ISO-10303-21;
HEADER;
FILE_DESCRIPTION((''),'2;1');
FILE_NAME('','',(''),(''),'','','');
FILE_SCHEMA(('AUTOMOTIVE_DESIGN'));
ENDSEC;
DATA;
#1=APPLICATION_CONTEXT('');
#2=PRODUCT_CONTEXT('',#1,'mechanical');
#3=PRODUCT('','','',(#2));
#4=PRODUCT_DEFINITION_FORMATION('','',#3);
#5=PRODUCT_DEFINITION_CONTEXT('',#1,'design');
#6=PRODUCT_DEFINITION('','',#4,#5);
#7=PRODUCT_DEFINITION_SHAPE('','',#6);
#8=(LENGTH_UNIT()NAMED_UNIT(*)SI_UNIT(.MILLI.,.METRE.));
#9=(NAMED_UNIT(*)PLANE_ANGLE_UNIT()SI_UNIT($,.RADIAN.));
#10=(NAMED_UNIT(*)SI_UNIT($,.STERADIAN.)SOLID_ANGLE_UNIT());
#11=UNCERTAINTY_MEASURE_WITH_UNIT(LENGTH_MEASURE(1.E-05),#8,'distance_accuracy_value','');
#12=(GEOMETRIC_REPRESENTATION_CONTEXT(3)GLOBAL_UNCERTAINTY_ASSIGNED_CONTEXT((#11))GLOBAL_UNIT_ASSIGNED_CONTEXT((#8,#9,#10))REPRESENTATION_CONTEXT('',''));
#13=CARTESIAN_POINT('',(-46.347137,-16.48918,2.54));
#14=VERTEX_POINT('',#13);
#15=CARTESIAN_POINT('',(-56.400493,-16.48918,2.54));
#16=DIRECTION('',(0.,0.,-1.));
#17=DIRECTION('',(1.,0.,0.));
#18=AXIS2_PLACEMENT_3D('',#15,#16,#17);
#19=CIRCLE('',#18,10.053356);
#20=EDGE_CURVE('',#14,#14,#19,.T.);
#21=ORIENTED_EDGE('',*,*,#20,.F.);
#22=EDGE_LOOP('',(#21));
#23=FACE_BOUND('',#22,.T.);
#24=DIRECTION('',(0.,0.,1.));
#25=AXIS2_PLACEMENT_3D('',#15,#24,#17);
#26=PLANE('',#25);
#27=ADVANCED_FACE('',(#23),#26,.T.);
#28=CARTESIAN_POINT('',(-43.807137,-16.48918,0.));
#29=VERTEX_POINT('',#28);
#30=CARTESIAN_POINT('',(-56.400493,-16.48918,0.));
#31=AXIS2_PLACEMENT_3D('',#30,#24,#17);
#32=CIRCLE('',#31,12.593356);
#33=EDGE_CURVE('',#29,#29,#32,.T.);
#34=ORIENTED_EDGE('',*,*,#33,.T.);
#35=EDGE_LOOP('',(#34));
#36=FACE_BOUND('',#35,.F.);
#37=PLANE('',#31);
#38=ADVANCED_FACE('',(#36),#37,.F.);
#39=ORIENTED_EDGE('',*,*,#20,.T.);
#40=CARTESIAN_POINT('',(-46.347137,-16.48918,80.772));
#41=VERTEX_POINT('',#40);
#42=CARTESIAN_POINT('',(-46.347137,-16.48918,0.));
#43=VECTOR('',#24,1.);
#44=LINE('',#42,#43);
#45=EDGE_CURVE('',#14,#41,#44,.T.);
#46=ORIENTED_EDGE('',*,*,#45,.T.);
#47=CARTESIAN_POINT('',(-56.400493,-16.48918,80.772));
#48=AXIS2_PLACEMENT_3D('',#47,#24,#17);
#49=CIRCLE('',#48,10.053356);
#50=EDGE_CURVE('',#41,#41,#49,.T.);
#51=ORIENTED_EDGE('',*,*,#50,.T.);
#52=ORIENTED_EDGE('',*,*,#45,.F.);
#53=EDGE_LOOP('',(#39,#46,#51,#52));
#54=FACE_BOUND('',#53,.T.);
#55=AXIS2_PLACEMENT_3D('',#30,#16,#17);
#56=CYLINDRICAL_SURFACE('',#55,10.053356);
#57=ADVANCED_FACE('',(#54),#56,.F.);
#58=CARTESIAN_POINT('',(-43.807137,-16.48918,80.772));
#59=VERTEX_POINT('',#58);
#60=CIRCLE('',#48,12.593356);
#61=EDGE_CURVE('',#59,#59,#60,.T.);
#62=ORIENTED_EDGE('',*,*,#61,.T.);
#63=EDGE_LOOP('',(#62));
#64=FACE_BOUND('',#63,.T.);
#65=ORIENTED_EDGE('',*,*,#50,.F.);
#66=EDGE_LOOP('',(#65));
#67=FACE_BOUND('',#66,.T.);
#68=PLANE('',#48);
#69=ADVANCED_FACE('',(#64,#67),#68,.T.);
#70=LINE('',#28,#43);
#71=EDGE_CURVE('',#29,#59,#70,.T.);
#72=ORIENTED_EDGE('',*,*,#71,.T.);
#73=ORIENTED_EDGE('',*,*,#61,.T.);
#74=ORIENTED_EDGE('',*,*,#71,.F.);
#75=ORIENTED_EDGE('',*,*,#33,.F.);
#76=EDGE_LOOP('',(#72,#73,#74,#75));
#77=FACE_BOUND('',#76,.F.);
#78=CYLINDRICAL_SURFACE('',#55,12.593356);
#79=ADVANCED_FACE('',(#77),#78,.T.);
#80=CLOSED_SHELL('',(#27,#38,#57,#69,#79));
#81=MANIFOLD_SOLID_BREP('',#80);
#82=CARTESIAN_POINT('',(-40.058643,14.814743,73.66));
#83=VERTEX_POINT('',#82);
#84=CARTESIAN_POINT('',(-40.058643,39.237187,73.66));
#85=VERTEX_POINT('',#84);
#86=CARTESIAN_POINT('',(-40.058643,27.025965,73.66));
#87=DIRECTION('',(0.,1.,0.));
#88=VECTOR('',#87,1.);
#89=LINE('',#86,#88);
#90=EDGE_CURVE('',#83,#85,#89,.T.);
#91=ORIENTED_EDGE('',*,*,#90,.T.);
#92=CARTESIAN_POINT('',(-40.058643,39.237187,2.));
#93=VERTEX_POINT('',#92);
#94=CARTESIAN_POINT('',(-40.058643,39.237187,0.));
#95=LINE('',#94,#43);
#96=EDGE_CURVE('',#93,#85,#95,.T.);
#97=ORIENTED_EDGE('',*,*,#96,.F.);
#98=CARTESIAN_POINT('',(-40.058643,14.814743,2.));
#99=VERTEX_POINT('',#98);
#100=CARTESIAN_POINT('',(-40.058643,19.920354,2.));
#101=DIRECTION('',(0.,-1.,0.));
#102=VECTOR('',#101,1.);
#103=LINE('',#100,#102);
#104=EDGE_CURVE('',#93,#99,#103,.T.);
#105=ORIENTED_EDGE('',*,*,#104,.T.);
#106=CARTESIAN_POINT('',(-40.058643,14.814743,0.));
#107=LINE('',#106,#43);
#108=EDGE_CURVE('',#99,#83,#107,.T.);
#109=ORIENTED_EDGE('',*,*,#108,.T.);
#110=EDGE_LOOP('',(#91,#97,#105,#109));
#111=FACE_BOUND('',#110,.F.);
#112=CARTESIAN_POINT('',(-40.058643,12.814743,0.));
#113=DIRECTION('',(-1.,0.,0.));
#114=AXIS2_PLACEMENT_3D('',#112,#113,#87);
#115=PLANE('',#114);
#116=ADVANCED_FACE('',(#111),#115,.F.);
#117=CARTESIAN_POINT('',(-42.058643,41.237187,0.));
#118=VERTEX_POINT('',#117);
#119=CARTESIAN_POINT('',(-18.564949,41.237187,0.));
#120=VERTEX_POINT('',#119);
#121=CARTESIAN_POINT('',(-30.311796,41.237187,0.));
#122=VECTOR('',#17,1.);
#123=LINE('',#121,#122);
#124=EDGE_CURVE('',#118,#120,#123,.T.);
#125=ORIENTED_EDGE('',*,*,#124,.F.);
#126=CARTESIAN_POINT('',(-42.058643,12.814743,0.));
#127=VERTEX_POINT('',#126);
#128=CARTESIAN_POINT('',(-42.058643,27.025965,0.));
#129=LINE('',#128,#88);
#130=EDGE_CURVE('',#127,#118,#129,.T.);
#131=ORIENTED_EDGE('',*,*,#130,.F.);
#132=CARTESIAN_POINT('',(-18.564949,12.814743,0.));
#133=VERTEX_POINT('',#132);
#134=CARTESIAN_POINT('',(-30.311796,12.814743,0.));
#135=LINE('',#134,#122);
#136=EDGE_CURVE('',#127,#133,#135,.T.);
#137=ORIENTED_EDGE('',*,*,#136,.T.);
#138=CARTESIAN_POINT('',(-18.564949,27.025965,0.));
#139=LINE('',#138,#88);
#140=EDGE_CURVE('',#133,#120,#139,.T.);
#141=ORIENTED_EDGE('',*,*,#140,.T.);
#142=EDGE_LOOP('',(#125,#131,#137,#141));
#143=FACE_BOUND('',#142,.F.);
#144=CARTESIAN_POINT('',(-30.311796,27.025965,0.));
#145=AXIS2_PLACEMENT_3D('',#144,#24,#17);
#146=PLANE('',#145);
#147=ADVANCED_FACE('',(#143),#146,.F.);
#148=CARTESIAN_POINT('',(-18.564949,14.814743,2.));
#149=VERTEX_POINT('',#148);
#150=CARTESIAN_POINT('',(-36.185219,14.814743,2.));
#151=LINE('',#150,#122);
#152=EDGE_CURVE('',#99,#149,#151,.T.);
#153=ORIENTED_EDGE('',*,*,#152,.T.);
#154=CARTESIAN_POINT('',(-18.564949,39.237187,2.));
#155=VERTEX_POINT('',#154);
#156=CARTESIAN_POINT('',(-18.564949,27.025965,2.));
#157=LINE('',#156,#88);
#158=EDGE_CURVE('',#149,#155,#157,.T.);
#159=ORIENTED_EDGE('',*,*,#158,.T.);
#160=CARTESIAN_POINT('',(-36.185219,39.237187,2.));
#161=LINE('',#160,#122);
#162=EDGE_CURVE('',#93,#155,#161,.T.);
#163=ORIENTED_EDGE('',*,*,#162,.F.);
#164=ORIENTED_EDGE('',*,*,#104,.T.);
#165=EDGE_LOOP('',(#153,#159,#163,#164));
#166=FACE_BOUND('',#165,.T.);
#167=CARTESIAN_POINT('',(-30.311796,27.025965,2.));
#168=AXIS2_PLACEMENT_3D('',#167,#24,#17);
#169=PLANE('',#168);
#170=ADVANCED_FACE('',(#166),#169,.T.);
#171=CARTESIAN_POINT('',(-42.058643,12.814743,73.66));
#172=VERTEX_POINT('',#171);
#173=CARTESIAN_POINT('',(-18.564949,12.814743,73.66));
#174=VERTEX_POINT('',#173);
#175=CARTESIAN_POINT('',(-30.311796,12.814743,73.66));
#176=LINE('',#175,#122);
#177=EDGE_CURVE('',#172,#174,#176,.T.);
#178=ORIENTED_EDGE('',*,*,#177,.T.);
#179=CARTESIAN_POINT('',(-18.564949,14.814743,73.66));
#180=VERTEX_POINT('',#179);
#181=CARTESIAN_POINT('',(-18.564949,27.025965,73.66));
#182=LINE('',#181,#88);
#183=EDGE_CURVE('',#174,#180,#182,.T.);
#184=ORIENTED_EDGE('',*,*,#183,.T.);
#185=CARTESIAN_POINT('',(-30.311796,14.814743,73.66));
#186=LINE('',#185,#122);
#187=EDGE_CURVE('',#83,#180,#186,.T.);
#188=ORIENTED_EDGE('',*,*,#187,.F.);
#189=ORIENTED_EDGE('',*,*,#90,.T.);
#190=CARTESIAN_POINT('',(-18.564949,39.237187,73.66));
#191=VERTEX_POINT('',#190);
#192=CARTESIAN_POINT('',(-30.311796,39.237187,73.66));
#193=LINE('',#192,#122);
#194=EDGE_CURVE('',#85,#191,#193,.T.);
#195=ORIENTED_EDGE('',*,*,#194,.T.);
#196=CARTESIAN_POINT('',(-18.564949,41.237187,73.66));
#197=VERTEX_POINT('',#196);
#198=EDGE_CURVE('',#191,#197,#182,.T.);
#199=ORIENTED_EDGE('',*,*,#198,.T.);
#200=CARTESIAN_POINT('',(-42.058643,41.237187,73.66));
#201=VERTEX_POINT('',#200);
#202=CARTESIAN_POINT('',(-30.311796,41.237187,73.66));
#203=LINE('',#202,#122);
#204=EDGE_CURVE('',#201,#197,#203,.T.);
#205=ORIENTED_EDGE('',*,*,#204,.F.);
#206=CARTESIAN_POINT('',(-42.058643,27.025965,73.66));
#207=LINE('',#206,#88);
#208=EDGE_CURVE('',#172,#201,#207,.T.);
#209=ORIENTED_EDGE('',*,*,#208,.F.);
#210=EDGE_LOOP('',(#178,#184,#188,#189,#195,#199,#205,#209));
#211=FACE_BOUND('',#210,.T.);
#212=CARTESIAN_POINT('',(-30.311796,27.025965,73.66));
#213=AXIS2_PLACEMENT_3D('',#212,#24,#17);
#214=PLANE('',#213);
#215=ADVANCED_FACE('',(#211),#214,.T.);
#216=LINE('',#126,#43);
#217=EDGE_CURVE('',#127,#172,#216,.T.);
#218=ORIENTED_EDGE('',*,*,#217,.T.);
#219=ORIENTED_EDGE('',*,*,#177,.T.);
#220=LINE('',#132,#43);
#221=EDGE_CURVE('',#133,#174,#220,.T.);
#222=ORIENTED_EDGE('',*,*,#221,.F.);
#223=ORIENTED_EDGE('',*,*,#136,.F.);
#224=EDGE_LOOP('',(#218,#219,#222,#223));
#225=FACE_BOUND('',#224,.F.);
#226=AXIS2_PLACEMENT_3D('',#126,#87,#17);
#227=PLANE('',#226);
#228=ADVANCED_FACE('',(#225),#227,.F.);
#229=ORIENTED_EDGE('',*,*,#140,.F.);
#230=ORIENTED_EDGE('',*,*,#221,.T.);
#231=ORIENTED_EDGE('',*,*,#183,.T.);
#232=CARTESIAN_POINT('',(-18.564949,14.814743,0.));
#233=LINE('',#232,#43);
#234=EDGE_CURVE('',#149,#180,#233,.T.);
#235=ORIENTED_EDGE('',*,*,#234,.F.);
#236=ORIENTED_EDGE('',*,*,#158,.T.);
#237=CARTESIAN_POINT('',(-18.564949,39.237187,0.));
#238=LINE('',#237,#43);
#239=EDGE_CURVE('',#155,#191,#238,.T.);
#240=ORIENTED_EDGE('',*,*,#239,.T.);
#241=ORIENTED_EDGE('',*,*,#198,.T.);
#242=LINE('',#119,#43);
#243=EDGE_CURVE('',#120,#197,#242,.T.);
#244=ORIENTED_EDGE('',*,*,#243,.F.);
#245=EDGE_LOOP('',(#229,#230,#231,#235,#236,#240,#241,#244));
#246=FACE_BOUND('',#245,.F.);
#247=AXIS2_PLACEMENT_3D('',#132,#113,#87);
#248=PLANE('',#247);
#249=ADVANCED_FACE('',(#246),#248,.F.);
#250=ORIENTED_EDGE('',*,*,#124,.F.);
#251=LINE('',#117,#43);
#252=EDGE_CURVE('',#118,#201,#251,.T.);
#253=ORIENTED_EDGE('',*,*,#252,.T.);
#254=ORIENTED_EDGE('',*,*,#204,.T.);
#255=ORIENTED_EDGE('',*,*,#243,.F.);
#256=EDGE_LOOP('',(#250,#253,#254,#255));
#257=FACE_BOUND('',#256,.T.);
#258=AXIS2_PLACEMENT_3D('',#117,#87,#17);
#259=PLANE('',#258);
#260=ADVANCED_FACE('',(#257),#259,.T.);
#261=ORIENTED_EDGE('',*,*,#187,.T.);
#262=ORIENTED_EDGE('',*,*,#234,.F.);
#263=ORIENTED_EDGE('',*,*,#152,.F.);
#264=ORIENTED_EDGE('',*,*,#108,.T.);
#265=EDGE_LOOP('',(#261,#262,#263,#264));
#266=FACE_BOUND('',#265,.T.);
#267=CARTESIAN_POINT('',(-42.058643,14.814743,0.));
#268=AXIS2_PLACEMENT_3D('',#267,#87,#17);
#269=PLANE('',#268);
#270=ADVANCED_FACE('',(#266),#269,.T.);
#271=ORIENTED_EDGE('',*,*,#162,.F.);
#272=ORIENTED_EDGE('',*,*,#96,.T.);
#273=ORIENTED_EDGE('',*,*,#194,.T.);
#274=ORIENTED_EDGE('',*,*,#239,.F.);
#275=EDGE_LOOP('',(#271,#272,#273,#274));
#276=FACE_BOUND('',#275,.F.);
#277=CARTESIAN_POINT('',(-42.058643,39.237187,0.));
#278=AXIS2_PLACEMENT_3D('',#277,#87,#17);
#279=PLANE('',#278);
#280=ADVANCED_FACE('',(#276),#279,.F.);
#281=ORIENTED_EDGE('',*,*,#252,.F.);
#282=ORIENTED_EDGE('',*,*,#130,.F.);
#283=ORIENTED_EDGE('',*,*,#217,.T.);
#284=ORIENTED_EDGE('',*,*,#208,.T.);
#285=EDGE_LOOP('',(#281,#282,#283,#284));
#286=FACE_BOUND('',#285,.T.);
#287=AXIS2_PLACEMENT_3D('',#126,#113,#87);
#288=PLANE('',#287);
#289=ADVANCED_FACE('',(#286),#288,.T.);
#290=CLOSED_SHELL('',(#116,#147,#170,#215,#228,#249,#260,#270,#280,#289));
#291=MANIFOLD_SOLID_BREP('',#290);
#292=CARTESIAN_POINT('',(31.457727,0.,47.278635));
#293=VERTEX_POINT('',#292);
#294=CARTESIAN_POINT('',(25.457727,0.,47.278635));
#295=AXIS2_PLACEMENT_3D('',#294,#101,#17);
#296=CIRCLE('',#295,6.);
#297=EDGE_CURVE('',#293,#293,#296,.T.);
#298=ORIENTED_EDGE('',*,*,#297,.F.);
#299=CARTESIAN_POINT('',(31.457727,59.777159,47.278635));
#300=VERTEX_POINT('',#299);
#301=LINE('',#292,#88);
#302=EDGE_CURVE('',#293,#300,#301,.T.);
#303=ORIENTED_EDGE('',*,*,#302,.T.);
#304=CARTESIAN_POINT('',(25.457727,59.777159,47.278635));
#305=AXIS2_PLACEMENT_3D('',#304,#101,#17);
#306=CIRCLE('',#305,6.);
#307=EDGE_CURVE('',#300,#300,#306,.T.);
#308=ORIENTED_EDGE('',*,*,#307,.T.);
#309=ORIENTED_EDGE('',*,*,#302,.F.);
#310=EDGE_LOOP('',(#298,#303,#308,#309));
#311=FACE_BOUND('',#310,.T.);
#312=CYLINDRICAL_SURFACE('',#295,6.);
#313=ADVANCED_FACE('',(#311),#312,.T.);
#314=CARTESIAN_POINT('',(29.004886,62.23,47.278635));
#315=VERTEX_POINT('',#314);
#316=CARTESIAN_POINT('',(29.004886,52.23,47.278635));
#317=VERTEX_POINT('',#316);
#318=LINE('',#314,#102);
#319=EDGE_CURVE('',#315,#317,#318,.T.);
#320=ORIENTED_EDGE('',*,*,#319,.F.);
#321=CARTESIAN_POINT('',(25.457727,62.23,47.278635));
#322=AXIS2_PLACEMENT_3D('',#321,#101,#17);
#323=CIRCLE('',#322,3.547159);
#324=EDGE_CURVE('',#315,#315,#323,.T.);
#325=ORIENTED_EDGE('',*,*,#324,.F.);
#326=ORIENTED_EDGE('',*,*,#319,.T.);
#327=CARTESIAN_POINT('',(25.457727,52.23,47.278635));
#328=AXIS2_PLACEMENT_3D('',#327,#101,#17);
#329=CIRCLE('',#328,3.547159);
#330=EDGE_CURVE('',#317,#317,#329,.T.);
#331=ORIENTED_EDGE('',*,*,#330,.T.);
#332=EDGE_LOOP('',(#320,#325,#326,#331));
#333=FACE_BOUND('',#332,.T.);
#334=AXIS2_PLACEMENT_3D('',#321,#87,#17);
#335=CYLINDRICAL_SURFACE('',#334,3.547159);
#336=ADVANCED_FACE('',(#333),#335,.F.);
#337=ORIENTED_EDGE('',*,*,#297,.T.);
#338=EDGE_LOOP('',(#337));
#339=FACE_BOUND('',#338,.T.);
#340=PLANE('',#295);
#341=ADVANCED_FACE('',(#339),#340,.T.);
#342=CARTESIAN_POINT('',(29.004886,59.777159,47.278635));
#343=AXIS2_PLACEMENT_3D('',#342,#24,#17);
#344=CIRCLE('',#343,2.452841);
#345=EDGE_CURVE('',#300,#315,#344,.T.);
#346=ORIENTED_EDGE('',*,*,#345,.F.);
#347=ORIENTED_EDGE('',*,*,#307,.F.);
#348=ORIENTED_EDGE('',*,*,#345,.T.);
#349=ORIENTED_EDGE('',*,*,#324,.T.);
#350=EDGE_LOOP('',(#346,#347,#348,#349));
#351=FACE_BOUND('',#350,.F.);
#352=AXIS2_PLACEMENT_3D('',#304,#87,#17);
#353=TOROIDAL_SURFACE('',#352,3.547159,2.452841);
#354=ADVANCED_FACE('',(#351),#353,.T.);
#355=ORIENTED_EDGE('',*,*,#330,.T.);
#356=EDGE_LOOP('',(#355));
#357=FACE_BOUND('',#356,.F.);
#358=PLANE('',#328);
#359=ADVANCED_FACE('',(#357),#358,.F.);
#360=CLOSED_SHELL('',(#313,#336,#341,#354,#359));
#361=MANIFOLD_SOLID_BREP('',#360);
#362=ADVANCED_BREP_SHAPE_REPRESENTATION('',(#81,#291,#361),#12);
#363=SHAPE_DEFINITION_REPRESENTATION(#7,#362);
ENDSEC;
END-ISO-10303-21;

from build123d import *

# Parameters (mm, degrees)
F0_W      = 23.4936941415
F0_H      = 28.4224431962
F1_DEPTH  = 73.66
F2_T      = -2
F3_R      = 6
F4_DEPTH  = 62.23
F5_R      = 12.5933558232
F6_DEPTH  = 80.772
F7_T      = -2.54
F8_R      = 2.4528409794
F9_DEPTH  = 6.604
F10_DEPTH = 6.35
F11_DEPTH = 16.51
F12_DEPTH = 10


with BuildPart() as f1:
    # F0 (on Top) → F1 (new body)
    with BuildSketch(Plane.XY):
        with Locations((-30.3117958829, 27.0259650424)):
            Rectangle(F0_W, F0_H)
    extrude(amount=F1_DEPTH)

    # F2
    f2_openings = [f1.faces().sort_by_distance(p)[0] for p in [
        (-30.311796, 27.025965, 73.66),
        (-18.564949, 27.025965, 36.83),
    ]]
    offset(amount=F2_T, openings=f2_openings)


with BuildPart() as f4:
    # F3 (on Front) → F4 (new body)
    with BuildSketch(Plane.XZ):
        with Locations((25.4577267915, 47.2786352038)):
            Circle(F3_R)
    extrude(amount=-F4_DEPTH)

    # F8
    f8_edges = [f4.edges().sort_by_distance(p)[0] for p in [
        (19.457727, 62.23, 47.278635),
    ]]
    fillet(f8_edges, radius=F8_R)

    # F9 (add): a face of the model
    f9_faces = [f4.faces().sort_by_distance(p)[0] for p in [
        (25.4577267915, 62.23, 47.2786352038),
    ]]
    extrude(f9_faces, amount=-F9_DEPTH)

    # F10 (add): a face of the model
    f10_faces = [f4.faces().sort_by_distance(p)[0] for p in [
        (25.4577267915, 62.23, 47.2786352038),
    ]]
    extrude(f10_faces, amount=-F10_DEPTH)

    # F11 (add): a face of the model
    f11_faces = [f4.faces().sort_by_distance(p)[0] for p in [
        (25.4577267915, 62.23, 47.2786352038),
    ]]
    extrude(f11_faces, amount=-F11_DEPTH)

    # F12 (cut): a face of the model
    f12_faces = [f4.faces().sort_by_distance(p)[0] for p in [
        (25.4577267915, 62.23, 47.2786352038),
    ]]
    extrude(f12_faces, amount=-F12_DEPTH, mode=Mode.SUBTRACT)


with BuildPart() as f6:
    # F5 (on Top) → F6 (new body)
    with BuildSketch(Plane.XY):
        with Locations((-56.4004927874, -16.4891798049)):
            Circle(F5_R)
    extrude(amount=F6_DEPTH)

    # F7
    f7_openings = [f6.faces().sort_by_distance(p)[0] for p in [
        (-56.400493, -16.48918, 80.772),
    ]]
    offset(amount=F7_T, openings=f7_openings)


solid = Compound([f1.part, f4.part, f6.part])
